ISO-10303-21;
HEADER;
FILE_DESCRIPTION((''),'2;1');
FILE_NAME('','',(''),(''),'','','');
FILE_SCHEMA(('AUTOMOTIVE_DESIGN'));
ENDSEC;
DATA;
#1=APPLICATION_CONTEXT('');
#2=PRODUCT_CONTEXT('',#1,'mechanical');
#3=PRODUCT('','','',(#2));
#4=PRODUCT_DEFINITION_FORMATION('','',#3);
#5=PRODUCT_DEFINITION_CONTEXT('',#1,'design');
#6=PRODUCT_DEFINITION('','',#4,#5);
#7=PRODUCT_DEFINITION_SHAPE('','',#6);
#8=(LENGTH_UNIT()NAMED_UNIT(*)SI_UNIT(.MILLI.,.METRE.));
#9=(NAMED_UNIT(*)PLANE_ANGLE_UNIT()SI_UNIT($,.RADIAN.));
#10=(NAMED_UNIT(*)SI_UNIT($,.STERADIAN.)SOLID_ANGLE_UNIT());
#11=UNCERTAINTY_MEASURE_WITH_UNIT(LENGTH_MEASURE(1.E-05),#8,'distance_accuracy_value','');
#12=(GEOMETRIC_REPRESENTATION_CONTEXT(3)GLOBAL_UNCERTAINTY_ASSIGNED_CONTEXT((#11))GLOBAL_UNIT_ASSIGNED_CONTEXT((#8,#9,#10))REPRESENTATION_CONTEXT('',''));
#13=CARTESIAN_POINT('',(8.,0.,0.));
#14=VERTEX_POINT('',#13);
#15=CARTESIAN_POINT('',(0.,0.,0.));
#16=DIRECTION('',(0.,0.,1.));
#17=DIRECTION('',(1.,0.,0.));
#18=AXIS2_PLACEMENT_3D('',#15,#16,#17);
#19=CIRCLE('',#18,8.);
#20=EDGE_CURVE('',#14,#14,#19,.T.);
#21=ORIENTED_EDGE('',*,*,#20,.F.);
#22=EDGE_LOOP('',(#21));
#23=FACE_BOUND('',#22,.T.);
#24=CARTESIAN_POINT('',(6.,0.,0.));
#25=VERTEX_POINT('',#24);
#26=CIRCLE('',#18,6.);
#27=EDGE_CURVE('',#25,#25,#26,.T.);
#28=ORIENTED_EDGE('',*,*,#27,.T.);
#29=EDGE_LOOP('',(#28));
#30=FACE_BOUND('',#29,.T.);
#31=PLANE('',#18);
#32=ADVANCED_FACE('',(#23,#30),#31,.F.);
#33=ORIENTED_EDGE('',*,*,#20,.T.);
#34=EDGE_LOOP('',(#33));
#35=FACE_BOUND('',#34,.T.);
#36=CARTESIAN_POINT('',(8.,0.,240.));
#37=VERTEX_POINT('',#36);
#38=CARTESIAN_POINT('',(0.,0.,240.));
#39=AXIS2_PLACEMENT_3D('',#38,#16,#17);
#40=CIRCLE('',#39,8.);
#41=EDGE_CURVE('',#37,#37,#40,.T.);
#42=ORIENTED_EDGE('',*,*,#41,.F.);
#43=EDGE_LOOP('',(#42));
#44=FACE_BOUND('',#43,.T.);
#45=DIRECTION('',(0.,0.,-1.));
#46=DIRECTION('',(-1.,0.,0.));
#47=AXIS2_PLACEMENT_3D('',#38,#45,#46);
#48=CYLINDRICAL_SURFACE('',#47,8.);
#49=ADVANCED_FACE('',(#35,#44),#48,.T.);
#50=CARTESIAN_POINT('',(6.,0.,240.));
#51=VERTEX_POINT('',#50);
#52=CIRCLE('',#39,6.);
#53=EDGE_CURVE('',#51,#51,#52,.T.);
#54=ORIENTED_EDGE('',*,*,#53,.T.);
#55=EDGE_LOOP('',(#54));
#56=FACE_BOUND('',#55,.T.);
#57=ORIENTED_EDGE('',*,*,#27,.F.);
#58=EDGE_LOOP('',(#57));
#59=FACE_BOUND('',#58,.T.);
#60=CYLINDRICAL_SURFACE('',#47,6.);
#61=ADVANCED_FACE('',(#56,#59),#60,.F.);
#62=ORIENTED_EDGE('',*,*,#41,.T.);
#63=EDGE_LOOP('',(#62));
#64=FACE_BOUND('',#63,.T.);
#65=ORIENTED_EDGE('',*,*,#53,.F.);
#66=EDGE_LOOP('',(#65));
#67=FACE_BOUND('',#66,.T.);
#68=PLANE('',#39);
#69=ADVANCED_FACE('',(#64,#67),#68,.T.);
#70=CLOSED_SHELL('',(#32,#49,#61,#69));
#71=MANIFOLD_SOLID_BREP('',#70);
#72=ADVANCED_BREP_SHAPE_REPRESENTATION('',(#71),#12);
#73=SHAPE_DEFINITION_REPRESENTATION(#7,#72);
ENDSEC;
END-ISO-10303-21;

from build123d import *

# Parameters (mm, degrees)
IZIM1_R                     = 8
IZIM1_R_2                   = 6
Y_KSEKLIK_EKSTR_ZYON1_DEPTH = 240


with BuildPart() as part:
    # Çizim1 → Yükseklik-Ekstrüzyon1 (new body)
    with BuildSketch(Plane.XY):
        Circle(IZIM1_R)
        Circle(IZIM1_R_2, mode=Mode.SUBTRACT)
    extrude(amount=Y_KSEKLIK_EKSTR_ZYON1_DEPTH)


solid = part.part
